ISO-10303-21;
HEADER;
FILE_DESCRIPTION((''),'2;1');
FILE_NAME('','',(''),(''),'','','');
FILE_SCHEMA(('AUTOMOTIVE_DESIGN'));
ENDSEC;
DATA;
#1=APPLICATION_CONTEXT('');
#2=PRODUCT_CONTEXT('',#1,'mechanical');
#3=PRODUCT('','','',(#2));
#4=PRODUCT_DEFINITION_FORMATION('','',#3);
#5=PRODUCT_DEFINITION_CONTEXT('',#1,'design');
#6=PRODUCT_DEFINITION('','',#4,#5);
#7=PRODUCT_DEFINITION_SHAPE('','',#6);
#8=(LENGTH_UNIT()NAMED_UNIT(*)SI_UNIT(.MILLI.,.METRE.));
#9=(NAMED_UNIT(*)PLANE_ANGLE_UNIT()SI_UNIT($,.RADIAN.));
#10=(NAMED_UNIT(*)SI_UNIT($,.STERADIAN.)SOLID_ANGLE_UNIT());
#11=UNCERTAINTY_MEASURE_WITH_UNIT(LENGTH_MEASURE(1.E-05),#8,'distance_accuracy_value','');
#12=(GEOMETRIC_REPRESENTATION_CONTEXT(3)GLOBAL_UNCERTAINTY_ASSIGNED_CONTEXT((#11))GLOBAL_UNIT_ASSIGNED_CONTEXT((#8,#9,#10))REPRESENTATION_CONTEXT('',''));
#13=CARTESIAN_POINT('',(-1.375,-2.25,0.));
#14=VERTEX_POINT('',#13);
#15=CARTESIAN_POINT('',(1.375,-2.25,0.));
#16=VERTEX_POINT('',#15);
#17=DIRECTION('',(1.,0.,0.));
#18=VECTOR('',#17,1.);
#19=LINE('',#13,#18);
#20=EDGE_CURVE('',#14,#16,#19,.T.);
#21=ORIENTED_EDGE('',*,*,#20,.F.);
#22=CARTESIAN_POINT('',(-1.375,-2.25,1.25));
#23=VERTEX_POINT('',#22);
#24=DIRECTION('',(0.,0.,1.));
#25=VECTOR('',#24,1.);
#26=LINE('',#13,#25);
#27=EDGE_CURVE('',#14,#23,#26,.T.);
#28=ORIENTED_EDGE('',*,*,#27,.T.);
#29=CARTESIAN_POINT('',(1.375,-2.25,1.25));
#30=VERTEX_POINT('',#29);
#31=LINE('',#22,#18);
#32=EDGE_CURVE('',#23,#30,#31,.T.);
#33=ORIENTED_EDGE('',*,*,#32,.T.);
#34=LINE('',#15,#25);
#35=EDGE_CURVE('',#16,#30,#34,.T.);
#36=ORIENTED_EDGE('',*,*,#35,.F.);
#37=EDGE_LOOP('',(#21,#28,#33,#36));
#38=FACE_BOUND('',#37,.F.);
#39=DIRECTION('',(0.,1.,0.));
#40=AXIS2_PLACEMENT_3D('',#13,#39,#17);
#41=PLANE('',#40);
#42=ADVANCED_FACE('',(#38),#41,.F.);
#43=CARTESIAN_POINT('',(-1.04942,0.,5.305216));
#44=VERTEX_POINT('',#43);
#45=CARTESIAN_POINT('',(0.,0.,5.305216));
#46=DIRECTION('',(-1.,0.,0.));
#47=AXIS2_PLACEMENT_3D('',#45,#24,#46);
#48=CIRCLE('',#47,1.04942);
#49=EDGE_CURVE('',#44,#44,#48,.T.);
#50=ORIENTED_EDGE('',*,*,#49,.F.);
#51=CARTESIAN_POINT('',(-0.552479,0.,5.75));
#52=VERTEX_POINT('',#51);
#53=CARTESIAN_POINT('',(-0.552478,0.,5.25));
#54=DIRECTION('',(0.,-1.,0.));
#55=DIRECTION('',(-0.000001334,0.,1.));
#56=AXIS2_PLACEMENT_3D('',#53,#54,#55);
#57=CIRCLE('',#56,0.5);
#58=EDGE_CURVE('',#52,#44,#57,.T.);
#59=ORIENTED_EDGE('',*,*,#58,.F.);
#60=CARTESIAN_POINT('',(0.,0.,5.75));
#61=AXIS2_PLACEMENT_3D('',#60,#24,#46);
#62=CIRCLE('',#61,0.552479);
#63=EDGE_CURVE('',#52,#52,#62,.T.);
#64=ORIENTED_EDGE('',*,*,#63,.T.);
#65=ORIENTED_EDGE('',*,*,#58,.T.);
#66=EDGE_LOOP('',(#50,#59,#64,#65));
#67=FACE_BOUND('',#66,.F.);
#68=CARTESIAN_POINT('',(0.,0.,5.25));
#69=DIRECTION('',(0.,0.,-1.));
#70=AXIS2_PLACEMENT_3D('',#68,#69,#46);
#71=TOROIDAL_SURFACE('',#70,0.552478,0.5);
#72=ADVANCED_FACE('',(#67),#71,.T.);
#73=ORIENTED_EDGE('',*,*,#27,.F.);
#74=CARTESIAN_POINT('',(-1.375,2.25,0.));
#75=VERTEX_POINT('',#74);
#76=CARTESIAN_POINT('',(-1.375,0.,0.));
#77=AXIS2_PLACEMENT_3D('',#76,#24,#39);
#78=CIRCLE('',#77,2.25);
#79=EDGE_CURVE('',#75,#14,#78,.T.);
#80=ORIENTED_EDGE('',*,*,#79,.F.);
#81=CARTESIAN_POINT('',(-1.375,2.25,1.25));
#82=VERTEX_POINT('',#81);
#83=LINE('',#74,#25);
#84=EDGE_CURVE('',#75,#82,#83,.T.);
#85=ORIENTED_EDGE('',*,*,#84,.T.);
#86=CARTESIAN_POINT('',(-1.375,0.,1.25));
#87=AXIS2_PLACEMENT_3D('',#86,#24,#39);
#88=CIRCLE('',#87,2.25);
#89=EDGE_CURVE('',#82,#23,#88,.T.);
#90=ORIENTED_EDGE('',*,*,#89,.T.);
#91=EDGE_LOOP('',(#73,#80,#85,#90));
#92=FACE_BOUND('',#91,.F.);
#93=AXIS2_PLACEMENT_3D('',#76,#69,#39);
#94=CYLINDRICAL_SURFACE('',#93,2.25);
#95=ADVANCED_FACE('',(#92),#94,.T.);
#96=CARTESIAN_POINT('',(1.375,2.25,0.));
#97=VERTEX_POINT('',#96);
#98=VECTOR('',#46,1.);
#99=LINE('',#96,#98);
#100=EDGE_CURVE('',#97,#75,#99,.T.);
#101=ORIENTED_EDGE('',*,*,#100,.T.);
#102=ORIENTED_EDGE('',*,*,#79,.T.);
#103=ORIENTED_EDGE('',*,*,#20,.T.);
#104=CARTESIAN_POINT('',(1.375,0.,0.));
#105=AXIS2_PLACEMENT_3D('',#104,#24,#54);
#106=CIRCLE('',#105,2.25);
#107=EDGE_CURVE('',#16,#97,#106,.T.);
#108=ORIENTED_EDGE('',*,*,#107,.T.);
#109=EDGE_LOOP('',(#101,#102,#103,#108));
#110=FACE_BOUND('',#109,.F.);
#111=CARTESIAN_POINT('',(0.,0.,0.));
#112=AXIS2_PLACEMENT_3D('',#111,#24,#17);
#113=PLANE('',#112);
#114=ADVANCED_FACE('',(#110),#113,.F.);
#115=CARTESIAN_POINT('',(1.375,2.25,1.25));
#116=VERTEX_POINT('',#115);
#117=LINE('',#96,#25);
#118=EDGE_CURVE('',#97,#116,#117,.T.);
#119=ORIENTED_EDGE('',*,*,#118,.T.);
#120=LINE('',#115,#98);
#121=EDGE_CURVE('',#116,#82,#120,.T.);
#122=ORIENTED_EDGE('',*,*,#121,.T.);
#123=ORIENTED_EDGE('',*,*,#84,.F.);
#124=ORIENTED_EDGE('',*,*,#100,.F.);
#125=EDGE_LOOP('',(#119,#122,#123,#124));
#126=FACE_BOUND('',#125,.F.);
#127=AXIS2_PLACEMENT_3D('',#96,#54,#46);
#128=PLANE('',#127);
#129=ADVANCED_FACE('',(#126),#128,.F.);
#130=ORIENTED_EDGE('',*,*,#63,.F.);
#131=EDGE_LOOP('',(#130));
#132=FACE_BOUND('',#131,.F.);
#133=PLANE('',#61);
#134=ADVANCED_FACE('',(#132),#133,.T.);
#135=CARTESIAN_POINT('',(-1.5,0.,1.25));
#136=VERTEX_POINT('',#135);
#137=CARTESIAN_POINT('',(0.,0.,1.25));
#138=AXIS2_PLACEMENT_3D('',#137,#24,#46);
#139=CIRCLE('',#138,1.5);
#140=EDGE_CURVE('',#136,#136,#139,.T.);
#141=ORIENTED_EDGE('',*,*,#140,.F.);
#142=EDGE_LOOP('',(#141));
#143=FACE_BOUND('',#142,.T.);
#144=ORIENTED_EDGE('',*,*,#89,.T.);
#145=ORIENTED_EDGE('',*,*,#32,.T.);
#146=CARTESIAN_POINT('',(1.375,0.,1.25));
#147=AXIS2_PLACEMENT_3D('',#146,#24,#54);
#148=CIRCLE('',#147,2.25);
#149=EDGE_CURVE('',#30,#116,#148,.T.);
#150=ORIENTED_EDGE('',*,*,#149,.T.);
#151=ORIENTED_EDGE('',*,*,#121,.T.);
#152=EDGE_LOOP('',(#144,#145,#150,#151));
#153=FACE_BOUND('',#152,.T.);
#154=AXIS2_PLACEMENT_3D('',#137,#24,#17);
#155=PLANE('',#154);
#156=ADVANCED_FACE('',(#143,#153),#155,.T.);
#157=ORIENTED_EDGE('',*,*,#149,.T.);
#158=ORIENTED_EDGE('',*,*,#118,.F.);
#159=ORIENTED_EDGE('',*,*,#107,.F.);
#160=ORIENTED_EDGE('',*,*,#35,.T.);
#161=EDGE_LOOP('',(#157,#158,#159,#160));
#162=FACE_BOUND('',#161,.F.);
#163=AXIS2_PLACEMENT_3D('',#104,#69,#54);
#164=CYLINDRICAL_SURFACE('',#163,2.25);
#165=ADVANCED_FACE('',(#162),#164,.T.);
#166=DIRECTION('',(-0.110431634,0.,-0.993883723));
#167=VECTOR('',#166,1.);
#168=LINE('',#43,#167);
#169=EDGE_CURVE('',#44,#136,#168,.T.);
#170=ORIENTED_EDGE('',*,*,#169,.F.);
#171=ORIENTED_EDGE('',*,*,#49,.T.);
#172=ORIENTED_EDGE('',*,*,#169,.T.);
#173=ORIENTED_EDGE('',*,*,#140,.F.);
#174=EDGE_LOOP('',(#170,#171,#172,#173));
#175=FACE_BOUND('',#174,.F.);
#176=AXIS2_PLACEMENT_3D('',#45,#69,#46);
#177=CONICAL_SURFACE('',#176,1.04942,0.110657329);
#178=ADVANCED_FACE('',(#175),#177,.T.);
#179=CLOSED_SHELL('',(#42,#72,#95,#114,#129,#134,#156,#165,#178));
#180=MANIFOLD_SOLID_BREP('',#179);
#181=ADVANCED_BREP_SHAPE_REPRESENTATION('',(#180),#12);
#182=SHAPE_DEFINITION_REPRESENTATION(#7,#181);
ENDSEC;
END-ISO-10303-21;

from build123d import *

# Parameters (mm, degrees)
F1_DEPTH = 1.25


with BuildPart() as f1:
    # F0 (on Top) → F1 (new body)
    with BuildSketch(Plane.XY):
        with BuildLine():
            Line((-1.375, -2.25), (1.375, -2.25))
            ThreePointArc((1.375, -2.25), (3.625, 0), (1.375, 2.25))
            Line((1.375, 2.25), (-1.375, 2.25))
            ThreePointArc((-1.375, 2.25), (-3.625, 0), (-1.375, -2.25))
        make_face()
    extrude(amount=F1_DEPTH)

    # F2 (on Front) → F3 (revolve)
    with BuildSketch(Plane.XZ):
        with BuildLine():
            Line((-1.5, 1.25), (0, 1.25))
            Line((0, 1.25), (0, 5.75))
            Line((0, 5.75), (-0.552479, 5.75))
            ThreePointArc((-0.552479, 5.75), (-0.885939, 5.622564), (-1.04942, 5.305216))
            Line((-1.04942, 5.305216), (-1.5, 1.25))
        make_face()
    revolve(axis=Axis((0, 0, 3.5), (0, 0, 1)))


solid = f1.part
